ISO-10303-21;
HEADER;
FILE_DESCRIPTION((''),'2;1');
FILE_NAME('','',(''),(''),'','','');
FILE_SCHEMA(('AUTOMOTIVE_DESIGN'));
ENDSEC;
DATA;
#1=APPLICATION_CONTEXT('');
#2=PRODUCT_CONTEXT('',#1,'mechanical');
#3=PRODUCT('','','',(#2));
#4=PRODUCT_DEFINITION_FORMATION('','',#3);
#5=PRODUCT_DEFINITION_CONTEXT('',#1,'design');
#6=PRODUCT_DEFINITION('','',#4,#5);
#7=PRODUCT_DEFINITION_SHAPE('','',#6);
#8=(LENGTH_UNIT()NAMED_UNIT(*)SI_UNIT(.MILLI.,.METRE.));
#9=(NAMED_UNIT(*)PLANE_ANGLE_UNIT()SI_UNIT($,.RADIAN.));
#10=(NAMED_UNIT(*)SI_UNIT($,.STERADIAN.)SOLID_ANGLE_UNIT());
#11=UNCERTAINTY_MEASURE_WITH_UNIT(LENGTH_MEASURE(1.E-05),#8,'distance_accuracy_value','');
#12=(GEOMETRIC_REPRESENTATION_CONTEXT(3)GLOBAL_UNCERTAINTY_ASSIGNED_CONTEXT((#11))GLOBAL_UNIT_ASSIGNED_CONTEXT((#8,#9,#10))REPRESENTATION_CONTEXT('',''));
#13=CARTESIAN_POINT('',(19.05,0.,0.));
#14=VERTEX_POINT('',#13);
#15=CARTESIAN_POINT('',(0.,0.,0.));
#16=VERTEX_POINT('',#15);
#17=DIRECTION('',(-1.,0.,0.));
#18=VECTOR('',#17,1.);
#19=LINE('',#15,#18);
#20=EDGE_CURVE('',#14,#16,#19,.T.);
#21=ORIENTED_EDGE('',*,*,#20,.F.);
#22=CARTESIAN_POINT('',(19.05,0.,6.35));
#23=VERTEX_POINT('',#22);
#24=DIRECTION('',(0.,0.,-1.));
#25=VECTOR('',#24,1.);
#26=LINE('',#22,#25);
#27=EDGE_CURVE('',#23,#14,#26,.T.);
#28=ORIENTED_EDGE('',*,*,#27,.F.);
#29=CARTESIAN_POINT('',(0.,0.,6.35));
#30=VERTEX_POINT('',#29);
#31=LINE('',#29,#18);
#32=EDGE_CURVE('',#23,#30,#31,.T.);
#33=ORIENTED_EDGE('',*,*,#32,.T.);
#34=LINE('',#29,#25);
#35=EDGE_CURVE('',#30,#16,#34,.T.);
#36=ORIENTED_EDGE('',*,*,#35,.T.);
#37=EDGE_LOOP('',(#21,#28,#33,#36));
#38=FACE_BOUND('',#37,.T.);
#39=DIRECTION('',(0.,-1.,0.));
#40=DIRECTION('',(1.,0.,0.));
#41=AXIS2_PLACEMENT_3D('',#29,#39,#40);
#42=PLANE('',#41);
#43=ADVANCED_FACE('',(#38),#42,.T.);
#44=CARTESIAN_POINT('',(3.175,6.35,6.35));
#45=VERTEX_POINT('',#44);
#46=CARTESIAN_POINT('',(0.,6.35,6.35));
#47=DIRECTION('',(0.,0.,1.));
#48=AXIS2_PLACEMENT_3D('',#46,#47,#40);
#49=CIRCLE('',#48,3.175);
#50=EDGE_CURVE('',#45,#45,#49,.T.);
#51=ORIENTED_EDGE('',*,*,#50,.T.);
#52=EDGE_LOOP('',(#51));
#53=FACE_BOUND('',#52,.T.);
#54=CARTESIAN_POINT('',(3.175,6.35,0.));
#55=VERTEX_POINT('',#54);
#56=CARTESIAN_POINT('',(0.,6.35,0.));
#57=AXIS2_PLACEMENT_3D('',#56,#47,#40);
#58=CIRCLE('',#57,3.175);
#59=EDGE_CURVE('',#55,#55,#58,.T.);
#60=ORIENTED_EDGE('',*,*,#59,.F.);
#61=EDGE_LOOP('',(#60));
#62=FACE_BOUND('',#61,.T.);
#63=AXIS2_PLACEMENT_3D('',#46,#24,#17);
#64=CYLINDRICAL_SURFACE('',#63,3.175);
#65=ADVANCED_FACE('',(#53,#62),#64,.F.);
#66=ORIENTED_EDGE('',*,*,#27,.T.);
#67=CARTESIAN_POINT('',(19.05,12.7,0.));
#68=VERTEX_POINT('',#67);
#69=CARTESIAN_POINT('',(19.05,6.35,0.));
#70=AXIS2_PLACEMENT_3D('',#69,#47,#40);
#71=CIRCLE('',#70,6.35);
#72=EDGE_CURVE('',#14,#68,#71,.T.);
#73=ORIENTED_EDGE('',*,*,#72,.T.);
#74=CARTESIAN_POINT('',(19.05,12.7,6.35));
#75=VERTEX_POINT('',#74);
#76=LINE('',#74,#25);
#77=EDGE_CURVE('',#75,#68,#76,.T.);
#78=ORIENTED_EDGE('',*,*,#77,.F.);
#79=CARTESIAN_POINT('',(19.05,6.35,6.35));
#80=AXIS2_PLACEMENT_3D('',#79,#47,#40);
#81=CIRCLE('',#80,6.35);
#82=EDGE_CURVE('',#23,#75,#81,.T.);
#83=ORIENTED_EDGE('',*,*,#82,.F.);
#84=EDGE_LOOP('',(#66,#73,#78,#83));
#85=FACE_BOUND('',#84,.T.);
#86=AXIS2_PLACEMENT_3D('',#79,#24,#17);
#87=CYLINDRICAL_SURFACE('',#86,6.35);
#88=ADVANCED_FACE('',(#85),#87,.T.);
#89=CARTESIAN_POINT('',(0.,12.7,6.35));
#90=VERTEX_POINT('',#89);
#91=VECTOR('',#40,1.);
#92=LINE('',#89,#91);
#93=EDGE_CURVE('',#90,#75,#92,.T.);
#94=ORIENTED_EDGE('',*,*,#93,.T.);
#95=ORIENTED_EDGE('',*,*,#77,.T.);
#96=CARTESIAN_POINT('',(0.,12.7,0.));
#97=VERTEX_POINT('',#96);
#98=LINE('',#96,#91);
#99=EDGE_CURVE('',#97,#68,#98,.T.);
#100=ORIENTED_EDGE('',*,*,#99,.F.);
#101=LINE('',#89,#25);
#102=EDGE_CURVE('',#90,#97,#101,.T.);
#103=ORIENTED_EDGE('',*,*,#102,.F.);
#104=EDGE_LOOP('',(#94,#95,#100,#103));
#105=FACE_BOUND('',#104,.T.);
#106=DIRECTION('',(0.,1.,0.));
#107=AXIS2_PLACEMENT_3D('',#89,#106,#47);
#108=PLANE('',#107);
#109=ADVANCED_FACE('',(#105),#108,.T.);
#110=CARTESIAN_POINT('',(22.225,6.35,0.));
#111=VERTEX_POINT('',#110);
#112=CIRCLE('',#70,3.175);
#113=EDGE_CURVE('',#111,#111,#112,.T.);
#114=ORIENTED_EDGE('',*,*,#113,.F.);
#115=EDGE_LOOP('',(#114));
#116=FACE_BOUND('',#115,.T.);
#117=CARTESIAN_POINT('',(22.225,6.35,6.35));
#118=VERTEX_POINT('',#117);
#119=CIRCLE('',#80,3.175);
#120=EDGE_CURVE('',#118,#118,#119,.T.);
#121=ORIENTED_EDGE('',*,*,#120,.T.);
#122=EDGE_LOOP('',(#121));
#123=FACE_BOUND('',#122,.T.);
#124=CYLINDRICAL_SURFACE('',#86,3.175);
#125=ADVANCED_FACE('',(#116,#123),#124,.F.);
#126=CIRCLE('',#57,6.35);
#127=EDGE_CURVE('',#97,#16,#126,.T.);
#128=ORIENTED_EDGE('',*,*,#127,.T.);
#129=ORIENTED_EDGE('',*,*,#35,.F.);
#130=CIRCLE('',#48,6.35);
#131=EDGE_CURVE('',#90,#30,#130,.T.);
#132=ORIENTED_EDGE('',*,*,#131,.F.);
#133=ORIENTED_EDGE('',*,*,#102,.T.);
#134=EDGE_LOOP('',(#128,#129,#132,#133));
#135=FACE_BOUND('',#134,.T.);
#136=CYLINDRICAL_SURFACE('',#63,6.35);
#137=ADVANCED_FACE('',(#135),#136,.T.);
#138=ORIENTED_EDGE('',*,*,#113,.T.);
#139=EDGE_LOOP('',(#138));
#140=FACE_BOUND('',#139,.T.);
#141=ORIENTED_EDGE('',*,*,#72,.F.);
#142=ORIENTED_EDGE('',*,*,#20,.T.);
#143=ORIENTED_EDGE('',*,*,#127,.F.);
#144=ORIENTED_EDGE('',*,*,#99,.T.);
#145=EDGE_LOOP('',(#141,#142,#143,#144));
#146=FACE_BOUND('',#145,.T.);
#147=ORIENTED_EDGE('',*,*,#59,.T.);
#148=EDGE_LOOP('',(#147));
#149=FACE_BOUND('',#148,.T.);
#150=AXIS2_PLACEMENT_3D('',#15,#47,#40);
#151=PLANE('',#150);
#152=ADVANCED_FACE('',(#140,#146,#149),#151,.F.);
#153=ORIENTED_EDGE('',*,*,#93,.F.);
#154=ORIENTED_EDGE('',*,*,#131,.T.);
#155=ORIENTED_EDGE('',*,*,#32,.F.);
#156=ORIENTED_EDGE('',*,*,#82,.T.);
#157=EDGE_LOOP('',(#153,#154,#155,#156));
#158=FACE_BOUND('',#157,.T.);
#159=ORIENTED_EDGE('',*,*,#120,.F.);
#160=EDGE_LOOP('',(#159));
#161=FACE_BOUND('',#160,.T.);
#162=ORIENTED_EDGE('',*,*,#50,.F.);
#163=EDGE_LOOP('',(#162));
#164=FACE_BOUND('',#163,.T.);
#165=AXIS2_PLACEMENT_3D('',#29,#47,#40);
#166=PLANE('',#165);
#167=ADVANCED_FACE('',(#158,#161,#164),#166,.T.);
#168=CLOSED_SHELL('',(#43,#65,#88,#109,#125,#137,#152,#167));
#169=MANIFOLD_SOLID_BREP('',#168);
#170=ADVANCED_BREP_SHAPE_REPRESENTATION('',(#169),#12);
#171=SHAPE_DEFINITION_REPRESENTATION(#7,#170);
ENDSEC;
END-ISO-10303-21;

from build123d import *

# Parameters (mm, degrees)
SKETCH1_R           = 3.175
EXTRUSION2_DEPTH    = 6.35
SKETCH1_3_R         = 6.35
BOSS_EXTRUDE1_DEPTH = 6.35
SKETCH1_4_R         = 3.175
CUT_EXTRUDE1_DEPTH  = 6.35


with BuildPart() as part:
    # Sketch1 → Extrusion2 (new body)
    with BuildSketch(Plane.XY):
        with BuildLine():
            Line((0, 0), (19.05, 0))
            ThreePointArc((19.05, 0), (12.7, 6.35), (19.05, 12.7))
            Line((19.05, 12.7), (0, 12.7))
            ThreePointArc((0, 12.7), (-6.35, 6.35), (0, 0))
        make_face()
        with Locations((0, 6.35)):
            Circle(SKETCH1_R, mode=Mode.SUBTRACT)
    extrude(amount=EXTRUSION2_DEPTH)

    # Sketch1<3> → Boss-Extrude1 (add)
    with BuildSketch(Plane.XY):
        with Locations((19.05, 6.35)):
            Circle(SKETCH1_3_R)
    extrude(amount=BOSS_EXTRUDE1_DEPTH)

    # Sketch1<4> → Cut-Extrude1 (cut)
    with BuildSketch(Plane.XY):
        with Locations((19.05, 6.35)):
            Circle(SKETCH1_4_R)
    extrude(amount=CUT_EXTRUDE1_DEPTH, mode=Mode.SUBTRACT)


solid = part.part
